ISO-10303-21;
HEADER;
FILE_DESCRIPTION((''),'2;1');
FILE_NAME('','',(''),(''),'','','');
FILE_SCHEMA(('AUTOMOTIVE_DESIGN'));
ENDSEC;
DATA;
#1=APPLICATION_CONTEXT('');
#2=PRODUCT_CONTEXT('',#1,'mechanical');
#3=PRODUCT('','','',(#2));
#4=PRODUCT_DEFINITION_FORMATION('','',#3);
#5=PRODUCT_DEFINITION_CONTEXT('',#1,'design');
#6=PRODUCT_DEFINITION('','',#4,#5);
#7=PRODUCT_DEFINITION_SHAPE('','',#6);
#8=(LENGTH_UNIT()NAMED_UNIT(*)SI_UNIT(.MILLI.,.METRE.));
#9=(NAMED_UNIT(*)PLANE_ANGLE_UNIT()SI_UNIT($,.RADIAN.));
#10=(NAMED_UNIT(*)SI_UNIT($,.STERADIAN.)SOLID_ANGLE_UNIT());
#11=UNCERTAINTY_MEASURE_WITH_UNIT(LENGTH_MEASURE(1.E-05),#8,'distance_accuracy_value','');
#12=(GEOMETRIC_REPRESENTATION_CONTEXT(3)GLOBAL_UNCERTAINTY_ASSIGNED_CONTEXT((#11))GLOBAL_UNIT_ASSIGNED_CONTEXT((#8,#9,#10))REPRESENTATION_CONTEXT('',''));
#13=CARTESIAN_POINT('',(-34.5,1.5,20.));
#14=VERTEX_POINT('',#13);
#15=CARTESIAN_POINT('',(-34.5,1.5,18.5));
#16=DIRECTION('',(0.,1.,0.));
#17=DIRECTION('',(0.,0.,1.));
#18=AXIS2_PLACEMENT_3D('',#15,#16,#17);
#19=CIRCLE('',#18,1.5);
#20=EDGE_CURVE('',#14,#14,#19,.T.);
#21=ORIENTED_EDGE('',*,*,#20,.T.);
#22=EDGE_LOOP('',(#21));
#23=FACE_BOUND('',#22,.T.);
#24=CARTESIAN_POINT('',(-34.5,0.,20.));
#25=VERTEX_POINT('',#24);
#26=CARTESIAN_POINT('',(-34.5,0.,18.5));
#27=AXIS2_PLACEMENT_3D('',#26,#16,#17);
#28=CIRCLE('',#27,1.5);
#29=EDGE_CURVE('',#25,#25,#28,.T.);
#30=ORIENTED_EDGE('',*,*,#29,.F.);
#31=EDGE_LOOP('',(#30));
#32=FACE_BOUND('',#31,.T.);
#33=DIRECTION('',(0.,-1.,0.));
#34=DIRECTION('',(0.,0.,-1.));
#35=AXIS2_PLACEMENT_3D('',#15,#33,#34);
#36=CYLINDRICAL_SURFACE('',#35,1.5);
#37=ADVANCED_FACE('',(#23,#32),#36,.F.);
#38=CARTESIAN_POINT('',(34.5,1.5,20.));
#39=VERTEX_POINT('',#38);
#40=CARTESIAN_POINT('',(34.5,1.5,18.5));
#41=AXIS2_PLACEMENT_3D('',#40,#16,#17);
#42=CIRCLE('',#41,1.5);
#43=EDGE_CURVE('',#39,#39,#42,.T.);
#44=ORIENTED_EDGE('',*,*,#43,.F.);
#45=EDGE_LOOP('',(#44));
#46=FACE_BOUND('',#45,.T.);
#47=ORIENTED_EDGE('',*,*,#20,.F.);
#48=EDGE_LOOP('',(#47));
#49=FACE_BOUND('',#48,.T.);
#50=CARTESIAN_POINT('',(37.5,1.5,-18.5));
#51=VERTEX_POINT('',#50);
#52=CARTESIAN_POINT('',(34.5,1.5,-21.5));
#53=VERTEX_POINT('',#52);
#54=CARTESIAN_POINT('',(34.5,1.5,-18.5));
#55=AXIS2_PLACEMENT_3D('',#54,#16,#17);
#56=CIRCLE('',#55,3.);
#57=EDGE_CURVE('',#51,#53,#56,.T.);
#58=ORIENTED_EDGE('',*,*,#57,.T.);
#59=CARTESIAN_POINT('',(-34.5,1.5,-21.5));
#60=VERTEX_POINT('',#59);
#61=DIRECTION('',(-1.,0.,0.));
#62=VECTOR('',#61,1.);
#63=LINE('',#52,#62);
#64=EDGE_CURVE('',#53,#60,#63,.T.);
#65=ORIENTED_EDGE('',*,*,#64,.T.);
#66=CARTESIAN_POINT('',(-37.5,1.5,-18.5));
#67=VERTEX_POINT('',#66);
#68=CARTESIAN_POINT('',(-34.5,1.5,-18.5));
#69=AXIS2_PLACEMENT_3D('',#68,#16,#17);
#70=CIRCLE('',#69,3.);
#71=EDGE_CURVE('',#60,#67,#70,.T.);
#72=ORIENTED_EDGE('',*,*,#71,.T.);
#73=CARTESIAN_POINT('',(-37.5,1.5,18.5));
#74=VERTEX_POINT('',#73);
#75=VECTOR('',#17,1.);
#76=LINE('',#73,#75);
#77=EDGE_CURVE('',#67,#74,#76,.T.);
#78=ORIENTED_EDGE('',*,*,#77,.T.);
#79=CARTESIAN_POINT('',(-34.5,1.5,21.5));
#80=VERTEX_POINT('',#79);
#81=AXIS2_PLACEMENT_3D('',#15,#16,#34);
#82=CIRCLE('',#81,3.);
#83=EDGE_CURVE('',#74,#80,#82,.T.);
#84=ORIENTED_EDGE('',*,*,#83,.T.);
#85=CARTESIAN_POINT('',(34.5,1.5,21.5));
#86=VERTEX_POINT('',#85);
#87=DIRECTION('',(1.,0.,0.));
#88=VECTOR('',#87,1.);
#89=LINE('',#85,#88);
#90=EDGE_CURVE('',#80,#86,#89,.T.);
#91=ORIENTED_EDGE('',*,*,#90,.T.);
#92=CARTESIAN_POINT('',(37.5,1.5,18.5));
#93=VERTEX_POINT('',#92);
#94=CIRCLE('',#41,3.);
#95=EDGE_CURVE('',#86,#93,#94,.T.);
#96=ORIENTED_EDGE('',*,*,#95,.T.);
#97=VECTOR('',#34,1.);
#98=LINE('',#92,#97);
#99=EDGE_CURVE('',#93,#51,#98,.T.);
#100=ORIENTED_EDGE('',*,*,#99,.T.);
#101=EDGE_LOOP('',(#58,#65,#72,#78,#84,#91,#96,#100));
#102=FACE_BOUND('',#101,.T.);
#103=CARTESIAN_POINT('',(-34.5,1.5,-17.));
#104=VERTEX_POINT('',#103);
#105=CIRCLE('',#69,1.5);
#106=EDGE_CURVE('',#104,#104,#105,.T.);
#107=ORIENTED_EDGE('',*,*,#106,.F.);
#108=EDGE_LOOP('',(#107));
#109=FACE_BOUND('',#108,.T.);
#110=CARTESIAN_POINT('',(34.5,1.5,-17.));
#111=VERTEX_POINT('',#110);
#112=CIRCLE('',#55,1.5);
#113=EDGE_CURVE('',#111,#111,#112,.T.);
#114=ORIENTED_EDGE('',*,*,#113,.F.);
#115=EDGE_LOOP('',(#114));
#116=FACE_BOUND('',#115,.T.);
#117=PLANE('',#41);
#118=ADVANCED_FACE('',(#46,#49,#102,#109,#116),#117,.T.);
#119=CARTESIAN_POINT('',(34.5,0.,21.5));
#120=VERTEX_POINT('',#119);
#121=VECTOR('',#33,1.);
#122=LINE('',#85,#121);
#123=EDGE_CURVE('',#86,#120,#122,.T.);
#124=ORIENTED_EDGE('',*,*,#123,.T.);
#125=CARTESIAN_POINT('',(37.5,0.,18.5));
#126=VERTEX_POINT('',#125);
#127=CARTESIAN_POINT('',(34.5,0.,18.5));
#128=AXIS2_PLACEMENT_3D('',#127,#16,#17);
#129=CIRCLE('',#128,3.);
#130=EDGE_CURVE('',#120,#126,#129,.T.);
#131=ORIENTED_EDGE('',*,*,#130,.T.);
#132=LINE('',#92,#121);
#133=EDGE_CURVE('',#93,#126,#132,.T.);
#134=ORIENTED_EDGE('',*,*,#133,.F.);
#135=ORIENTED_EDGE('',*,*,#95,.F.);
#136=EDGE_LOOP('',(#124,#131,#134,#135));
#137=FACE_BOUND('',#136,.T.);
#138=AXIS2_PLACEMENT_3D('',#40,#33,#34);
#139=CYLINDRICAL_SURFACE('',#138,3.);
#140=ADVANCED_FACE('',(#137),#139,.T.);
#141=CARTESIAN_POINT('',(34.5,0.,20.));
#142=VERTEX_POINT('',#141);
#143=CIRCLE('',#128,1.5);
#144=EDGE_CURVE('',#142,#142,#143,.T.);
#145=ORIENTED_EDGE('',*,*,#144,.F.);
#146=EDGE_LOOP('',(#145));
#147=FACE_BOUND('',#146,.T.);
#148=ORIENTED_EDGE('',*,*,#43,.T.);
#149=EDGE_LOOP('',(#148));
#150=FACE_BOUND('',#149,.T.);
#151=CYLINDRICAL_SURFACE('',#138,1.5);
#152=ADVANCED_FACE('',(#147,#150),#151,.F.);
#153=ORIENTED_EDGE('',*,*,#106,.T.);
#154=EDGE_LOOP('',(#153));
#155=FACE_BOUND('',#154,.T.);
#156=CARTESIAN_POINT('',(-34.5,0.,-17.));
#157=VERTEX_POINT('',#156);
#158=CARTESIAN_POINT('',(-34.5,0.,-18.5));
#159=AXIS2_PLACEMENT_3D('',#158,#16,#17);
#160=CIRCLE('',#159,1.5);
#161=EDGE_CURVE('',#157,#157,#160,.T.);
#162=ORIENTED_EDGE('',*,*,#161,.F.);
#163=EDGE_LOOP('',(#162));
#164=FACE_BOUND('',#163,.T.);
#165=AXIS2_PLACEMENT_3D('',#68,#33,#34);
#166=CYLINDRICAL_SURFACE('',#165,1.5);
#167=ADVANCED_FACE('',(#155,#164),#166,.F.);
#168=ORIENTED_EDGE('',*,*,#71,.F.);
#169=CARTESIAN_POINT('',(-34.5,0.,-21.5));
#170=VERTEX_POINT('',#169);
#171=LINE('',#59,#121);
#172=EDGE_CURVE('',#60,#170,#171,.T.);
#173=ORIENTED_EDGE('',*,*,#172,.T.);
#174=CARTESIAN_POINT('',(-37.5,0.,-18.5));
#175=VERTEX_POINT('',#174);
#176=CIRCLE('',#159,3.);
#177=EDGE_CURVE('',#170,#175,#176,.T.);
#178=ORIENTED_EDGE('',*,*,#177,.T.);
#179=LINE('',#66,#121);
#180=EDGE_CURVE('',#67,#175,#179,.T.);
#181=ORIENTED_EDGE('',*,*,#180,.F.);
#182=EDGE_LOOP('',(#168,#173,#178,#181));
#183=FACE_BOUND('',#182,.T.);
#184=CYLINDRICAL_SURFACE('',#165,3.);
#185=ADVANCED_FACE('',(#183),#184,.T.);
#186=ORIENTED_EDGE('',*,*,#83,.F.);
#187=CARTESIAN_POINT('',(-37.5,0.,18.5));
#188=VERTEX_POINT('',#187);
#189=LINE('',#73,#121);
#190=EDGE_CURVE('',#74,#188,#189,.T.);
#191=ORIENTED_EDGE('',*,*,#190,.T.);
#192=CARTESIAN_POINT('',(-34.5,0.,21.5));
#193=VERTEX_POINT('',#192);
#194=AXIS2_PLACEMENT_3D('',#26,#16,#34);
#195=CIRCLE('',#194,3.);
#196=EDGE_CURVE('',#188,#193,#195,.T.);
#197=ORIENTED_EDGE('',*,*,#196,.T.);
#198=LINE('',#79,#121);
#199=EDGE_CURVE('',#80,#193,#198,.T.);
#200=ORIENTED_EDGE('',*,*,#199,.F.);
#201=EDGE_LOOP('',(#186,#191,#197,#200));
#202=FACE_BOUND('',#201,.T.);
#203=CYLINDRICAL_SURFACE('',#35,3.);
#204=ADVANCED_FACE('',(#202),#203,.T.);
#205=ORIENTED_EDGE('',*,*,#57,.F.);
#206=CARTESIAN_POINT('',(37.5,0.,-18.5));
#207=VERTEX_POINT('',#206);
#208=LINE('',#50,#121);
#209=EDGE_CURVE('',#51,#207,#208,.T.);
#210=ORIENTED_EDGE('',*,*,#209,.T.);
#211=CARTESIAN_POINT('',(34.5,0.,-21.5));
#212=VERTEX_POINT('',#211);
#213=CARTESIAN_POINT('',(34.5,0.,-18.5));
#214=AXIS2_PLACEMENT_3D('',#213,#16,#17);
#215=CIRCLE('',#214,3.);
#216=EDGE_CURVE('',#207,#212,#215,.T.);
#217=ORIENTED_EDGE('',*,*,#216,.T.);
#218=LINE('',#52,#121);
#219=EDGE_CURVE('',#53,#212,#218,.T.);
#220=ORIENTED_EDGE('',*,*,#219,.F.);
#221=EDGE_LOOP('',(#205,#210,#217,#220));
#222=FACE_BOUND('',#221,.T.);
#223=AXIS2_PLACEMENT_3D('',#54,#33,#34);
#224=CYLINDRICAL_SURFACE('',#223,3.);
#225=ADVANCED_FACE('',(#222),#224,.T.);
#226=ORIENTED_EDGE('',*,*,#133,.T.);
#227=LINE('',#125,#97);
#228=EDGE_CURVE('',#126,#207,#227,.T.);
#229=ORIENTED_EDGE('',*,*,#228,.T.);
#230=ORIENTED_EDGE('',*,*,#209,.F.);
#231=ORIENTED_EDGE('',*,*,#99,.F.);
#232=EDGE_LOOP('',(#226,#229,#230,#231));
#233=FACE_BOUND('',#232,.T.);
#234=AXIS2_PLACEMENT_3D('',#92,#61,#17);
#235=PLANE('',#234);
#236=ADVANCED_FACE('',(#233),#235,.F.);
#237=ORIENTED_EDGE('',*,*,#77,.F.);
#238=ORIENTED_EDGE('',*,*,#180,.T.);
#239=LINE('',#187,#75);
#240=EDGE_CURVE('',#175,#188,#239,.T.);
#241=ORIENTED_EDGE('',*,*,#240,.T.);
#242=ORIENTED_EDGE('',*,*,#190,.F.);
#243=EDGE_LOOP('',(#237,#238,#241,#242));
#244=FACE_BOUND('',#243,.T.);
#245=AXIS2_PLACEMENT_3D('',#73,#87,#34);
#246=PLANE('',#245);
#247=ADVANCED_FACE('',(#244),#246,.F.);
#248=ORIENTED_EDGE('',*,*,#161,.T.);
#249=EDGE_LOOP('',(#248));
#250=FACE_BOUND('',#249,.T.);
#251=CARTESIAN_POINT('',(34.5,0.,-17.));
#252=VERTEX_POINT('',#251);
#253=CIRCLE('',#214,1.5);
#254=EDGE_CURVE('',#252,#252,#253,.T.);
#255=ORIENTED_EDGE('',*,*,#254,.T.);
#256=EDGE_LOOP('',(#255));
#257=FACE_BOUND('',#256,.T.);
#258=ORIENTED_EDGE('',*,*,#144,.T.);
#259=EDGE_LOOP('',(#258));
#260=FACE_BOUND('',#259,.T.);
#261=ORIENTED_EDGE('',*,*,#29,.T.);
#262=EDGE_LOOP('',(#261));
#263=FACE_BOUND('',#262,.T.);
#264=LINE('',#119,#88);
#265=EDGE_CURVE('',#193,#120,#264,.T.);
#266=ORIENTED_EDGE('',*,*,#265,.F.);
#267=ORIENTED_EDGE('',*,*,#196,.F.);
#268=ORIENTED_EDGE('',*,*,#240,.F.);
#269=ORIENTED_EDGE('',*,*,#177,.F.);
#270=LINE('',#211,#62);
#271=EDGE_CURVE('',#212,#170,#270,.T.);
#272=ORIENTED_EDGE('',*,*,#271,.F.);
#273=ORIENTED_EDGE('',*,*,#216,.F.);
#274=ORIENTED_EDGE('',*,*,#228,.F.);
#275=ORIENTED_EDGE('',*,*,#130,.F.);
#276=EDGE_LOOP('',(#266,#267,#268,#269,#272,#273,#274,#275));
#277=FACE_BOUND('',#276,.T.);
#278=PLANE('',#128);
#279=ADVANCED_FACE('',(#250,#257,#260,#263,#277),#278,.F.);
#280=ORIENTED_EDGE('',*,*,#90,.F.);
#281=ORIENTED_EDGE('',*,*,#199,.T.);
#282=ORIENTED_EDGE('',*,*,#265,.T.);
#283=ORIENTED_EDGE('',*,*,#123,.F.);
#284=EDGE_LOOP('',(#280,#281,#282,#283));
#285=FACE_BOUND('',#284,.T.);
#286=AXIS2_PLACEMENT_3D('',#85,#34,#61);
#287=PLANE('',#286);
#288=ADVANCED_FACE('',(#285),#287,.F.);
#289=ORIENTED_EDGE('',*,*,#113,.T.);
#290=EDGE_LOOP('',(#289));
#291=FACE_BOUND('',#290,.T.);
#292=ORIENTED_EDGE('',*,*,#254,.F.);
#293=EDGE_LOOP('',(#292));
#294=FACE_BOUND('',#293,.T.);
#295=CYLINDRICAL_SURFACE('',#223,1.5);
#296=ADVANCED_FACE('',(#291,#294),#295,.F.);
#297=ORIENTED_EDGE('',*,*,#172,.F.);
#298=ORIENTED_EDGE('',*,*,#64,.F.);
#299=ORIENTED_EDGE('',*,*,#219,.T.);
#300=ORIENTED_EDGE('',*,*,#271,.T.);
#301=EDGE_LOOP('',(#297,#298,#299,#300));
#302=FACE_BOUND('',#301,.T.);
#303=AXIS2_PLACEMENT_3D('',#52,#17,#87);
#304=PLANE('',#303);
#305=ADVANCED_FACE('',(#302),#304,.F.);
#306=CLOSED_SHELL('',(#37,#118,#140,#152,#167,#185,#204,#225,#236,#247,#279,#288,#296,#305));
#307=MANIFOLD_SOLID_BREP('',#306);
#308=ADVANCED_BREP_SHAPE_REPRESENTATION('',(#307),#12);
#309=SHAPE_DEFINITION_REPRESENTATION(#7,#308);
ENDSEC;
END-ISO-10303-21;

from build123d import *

# Parameters (mm, degrees)
SKETCH1_R           = 1.5
BOSS_EXTRUDE1_DEPTH = 1.5


with BuildPart() as part:
    # Sketch1 → Boss-Extrude1 (new body)
    with BuildSketch(Plane(origin=(0, 0, 0), x_dir=(1, 0, 0), z_dir=(0, 1, 0))):
        with BuildLine():
            Line((34.5, -21.5), (-34.5, -21.5))
            ThreePointArc((-34.5, -21.5), (-36.621320344, -20.621320344), (-37.5, -18.5))
            Line((-37.5, -18.5), (-37.5, 18.5))
            ThreePointArc((-37.5, 18.5), (-36.621320344, 20.621320344), (-34.5, 21.5))
            Line((-34.5, 21.5), (34.5, 21.5))
            ThreePointArc((34.5, 21.5), (36.621320344, 20.621320344), (37.5, 18.5))
            Line((37.5, 18.5), (37.5, -18.5))
            ThreePointArc((37.5, -18.5), (36.621320344, -20.621320344), (34.5, -21.5))
        make_face()
        with Locations(Location((-34.5, 18.5, 0), (0, 0, 270))):
            Circle(SKETCH1_R, mode=Mode.SUBTRACT)
        with Locations(Location((34.5, 18.5, 0), (0, 0, 270))):
            Circle(SKETCH1_R, mode=Mode.SUBTRACT)
        with Locations(Location((-34.5, -18.5, 0), (0, 0, 270))):
            Circle(SKETCH1_R, mode=Mode.SUBTRACT)
        with Locations(Location((34.5, -18.5, 0), (0, 0, 270))):
            Circle(SKETCH1_R, mode=Mode.SUBTRACT)
    extrude(amount=BOSS_EXTRUDE1_DEPTH)


solid = part.part
